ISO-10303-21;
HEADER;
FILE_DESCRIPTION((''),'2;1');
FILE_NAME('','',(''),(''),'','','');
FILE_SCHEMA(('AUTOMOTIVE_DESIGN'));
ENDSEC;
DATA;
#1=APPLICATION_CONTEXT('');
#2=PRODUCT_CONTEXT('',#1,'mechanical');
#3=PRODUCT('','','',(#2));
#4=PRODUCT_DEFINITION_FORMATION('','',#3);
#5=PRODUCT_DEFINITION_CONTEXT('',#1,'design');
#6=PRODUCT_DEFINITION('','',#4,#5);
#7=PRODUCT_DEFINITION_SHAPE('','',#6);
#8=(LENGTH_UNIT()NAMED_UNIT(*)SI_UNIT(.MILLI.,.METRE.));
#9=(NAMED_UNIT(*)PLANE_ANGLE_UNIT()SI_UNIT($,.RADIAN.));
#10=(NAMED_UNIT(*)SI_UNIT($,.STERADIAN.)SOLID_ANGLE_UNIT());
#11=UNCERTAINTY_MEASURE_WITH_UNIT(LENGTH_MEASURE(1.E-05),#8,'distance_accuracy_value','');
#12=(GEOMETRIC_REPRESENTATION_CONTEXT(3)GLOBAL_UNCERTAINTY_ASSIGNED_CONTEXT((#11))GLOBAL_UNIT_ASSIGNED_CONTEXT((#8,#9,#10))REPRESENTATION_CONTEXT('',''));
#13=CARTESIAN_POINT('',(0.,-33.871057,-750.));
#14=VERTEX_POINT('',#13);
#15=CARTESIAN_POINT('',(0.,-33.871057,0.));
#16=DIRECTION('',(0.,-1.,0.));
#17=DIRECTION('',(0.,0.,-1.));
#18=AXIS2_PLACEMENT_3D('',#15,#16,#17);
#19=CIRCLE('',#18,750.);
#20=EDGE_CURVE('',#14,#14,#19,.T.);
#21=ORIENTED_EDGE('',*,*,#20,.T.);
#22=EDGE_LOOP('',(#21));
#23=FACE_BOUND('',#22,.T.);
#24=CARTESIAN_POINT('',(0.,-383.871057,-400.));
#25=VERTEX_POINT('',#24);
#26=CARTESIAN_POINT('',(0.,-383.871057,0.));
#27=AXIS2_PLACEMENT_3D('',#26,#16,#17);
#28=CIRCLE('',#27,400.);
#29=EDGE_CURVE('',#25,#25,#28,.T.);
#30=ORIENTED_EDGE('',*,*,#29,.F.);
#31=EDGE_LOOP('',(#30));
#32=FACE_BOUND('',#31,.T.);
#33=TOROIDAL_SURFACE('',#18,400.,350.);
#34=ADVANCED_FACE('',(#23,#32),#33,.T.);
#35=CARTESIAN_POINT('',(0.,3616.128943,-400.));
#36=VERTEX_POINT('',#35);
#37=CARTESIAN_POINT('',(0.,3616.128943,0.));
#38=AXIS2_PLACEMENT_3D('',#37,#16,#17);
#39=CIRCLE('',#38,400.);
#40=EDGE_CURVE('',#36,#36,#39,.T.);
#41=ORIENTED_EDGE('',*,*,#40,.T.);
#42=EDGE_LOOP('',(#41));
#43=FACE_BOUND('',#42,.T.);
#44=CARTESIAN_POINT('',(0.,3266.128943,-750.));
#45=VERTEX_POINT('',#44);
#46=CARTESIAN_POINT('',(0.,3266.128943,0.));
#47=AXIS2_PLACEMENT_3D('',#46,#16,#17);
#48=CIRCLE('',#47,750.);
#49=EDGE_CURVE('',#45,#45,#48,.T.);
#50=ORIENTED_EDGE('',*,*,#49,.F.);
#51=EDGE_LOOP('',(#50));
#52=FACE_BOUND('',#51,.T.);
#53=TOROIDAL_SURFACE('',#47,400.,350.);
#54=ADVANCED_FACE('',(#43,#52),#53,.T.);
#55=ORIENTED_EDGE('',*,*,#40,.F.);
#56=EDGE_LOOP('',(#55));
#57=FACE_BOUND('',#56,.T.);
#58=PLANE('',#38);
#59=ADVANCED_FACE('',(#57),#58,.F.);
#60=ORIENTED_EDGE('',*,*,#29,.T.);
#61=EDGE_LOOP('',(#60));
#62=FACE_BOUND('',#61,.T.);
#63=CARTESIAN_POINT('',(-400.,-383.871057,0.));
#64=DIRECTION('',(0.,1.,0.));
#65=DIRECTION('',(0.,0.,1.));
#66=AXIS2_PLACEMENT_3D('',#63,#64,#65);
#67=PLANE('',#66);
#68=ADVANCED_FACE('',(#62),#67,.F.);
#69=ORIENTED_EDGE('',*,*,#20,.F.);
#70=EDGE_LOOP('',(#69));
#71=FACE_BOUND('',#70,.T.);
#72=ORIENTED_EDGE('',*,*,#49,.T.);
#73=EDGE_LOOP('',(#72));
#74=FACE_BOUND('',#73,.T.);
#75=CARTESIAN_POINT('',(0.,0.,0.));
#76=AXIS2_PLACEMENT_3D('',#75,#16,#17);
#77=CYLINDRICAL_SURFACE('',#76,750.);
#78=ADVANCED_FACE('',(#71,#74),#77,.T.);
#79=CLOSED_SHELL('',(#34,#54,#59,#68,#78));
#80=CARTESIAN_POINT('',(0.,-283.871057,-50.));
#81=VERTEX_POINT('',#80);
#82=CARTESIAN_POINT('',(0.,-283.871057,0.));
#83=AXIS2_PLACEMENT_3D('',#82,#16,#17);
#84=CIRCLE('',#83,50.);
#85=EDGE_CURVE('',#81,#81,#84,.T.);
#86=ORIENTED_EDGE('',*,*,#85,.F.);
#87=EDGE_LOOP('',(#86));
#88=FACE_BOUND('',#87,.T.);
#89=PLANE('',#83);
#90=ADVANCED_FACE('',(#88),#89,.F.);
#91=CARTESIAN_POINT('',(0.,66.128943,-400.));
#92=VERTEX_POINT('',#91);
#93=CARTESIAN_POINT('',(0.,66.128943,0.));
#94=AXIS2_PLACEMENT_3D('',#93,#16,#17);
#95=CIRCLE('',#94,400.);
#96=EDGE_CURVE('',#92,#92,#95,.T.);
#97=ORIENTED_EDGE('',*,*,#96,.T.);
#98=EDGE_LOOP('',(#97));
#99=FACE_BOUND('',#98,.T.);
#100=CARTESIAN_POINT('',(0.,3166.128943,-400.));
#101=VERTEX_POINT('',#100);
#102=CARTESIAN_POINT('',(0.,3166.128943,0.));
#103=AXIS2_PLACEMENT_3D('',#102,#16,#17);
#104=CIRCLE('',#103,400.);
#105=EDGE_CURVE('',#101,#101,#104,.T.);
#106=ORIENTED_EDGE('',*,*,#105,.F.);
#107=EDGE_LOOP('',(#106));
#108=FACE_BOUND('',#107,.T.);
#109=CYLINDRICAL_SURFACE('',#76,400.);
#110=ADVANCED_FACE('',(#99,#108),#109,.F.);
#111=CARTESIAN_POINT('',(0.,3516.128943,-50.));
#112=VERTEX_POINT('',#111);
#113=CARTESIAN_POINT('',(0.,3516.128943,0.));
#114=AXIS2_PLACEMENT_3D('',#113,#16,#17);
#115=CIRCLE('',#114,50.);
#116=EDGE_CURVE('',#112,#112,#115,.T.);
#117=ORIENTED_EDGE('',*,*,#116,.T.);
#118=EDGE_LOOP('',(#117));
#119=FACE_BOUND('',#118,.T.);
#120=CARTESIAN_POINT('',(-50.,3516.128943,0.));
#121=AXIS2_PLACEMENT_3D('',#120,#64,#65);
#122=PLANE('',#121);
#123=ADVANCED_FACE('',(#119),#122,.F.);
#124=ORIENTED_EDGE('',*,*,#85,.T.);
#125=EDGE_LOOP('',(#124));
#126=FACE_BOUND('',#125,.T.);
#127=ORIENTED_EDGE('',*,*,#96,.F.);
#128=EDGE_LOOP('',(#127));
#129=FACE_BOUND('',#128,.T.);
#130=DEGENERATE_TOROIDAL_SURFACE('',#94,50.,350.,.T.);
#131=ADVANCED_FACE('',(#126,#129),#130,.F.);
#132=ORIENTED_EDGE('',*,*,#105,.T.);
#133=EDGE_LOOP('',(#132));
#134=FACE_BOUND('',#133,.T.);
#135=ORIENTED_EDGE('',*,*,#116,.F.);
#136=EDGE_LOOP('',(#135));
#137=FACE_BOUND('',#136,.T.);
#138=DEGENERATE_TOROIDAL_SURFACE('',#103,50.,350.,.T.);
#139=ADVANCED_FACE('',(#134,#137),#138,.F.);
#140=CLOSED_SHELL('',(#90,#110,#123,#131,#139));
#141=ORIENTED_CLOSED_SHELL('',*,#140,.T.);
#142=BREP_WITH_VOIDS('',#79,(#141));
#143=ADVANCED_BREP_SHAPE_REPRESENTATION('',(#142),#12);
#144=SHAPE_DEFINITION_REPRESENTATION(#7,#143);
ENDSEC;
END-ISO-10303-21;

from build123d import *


with BuildPart() as part:
    # Sketch1 → Revolve1 (revolve)
    with BuildSketch(Plane.XY, mode=Mode.PRIVATE) as revolve1_sk:
        with BuildLine():
            Line((0, 3616.128942787), (-400, 3616.128942787))
            ThreePointArc((-400, 3616.128942787), (-647.487373415, 3513.616316202), (-750, 3266.128942787))
            Line((-750, 3266.128942787), (-750, -33.871057213))
            ThreePointArc((-750, -33.871057213), (-647.487373415, -281.358430629), (-400, -383.871057213))
            Line((-400, -383.871057213), (0, -383.871057213))
            Line((0, -383.871057213), (0, -283.871057213))
            Line((0, -283.871057213), (-50, -283.871057213))
            ThreePointArc((-50, -283.871057213), (-297.487373415, -181.358430629), (-400, 66.128942787))
            Line((-400, 66.128942787), (-400, 3166.128942787))
            ThreePointArc((-400, 3166.128942787), (-297.487373415, 3413.616316202), (-50, 3516.128942787))
            Line((-50, 3516.128942787), (0, 3516.128942787))
            Line((0, 3516.128942787), (0, 3616.128942787))
        make_face()
    revolve(revolve1_sk.sketch.rotate(Axis((0, 0, 0), (0, 1, 0)), 270), axis=Axis((0, 0, 0), (0, 1, 0)))


solid = part.part
